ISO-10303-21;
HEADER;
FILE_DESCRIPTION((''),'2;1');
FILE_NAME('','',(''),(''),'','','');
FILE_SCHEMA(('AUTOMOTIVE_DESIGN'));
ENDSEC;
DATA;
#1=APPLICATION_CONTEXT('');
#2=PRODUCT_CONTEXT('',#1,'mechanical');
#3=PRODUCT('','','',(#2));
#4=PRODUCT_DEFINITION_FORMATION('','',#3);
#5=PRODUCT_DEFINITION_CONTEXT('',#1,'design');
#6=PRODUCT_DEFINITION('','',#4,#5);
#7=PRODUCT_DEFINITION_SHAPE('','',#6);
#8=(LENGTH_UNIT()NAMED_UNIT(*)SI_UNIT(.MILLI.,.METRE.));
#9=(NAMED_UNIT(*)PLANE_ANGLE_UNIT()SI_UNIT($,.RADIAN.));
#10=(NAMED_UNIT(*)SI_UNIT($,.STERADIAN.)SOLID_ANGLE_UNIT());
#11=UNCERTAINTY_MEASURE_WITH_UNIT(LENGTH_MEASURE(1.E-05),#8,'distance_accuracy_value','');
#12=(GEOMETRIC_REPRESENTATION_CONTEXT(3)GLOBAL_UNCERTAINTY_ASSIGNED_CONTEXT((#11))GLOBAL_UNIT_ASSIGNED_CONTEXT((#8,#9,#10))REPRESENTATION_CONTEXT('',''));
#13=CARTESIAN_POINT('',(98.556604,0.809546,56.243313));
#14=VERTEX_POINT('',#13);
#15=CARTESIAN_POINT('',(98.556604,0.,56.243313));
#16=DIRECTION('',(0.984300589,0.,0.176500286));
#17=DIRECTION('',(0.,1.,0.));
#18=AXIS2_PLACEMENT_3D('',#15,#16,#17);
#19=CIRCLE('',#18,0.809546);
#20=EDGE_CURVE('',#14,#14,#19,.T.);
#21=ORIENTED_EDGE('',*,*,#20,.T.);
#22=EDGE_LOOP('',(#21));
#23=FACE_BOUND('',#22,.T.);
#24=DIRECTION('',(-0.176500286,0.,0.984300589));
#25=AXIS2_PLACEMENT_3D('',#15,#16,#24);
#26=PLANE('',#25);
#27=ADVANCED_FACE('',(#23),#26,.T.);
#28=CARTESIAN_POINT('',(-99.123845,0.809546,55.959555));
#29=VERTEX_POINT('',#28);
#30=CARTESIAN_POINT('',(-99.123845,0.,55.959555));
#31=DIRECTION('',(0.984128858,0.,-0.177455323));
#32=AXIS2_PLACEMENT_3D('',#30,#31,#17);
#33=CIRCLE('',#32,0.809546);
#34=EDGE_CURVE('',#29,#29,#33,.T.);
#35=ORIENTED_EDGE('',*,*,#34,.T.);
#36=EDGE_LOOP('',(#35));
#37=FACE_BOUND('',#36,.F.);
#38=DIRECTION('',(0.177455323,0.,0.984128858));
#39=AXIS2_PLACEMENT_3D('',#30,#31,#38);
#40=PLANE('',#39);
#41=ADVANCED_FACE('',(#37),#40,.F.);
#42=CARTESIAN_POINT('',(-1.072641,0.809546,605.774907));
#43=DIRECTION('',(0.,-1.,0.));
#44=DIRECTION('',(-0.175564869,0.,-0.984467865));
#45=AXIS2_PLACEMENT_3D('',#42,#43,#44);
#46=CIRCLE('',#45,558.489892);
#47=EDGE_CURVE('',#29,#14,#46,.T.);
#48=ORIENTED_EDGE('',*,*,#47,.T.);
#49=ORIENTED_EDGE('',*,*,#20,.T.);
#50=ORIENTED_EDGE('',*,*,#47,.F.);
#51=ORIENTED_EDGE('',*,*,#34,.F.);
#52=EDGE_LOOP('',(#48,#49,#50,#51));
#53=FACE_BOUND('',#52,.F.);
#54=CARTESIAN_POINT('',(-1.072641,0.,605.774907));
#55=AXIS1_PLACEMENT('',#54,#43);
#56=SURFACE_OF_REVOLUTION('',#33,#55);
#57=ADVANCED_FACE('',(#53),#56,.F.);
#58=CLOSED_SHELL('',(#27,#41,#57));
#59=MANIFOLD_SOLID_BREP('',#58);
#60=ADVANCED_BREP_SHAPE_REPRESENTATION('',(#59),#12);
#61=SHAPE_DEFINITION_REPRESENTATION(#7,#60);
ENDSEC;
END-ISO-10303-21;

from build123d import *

# Parameters (mm, degrees)
F1_R = 0.809546


with BuildPart() as f2:
    # F2: sweep along a path in F0
    with BuildLine(Plane.XZ) as f2_path:
        ThreePointArc((-99.161334, 55.751652), (-0.271069, 47.074334), (98.593891, 56.035373))
    # F1 (on Right) → F2 (sweep)
    with BuildSketch(Plane.YZ):
        with Locations((0, 47.286045)):
            Circle(F1_R)
    sweep(path=f2_path.line)


solid = f2.part
